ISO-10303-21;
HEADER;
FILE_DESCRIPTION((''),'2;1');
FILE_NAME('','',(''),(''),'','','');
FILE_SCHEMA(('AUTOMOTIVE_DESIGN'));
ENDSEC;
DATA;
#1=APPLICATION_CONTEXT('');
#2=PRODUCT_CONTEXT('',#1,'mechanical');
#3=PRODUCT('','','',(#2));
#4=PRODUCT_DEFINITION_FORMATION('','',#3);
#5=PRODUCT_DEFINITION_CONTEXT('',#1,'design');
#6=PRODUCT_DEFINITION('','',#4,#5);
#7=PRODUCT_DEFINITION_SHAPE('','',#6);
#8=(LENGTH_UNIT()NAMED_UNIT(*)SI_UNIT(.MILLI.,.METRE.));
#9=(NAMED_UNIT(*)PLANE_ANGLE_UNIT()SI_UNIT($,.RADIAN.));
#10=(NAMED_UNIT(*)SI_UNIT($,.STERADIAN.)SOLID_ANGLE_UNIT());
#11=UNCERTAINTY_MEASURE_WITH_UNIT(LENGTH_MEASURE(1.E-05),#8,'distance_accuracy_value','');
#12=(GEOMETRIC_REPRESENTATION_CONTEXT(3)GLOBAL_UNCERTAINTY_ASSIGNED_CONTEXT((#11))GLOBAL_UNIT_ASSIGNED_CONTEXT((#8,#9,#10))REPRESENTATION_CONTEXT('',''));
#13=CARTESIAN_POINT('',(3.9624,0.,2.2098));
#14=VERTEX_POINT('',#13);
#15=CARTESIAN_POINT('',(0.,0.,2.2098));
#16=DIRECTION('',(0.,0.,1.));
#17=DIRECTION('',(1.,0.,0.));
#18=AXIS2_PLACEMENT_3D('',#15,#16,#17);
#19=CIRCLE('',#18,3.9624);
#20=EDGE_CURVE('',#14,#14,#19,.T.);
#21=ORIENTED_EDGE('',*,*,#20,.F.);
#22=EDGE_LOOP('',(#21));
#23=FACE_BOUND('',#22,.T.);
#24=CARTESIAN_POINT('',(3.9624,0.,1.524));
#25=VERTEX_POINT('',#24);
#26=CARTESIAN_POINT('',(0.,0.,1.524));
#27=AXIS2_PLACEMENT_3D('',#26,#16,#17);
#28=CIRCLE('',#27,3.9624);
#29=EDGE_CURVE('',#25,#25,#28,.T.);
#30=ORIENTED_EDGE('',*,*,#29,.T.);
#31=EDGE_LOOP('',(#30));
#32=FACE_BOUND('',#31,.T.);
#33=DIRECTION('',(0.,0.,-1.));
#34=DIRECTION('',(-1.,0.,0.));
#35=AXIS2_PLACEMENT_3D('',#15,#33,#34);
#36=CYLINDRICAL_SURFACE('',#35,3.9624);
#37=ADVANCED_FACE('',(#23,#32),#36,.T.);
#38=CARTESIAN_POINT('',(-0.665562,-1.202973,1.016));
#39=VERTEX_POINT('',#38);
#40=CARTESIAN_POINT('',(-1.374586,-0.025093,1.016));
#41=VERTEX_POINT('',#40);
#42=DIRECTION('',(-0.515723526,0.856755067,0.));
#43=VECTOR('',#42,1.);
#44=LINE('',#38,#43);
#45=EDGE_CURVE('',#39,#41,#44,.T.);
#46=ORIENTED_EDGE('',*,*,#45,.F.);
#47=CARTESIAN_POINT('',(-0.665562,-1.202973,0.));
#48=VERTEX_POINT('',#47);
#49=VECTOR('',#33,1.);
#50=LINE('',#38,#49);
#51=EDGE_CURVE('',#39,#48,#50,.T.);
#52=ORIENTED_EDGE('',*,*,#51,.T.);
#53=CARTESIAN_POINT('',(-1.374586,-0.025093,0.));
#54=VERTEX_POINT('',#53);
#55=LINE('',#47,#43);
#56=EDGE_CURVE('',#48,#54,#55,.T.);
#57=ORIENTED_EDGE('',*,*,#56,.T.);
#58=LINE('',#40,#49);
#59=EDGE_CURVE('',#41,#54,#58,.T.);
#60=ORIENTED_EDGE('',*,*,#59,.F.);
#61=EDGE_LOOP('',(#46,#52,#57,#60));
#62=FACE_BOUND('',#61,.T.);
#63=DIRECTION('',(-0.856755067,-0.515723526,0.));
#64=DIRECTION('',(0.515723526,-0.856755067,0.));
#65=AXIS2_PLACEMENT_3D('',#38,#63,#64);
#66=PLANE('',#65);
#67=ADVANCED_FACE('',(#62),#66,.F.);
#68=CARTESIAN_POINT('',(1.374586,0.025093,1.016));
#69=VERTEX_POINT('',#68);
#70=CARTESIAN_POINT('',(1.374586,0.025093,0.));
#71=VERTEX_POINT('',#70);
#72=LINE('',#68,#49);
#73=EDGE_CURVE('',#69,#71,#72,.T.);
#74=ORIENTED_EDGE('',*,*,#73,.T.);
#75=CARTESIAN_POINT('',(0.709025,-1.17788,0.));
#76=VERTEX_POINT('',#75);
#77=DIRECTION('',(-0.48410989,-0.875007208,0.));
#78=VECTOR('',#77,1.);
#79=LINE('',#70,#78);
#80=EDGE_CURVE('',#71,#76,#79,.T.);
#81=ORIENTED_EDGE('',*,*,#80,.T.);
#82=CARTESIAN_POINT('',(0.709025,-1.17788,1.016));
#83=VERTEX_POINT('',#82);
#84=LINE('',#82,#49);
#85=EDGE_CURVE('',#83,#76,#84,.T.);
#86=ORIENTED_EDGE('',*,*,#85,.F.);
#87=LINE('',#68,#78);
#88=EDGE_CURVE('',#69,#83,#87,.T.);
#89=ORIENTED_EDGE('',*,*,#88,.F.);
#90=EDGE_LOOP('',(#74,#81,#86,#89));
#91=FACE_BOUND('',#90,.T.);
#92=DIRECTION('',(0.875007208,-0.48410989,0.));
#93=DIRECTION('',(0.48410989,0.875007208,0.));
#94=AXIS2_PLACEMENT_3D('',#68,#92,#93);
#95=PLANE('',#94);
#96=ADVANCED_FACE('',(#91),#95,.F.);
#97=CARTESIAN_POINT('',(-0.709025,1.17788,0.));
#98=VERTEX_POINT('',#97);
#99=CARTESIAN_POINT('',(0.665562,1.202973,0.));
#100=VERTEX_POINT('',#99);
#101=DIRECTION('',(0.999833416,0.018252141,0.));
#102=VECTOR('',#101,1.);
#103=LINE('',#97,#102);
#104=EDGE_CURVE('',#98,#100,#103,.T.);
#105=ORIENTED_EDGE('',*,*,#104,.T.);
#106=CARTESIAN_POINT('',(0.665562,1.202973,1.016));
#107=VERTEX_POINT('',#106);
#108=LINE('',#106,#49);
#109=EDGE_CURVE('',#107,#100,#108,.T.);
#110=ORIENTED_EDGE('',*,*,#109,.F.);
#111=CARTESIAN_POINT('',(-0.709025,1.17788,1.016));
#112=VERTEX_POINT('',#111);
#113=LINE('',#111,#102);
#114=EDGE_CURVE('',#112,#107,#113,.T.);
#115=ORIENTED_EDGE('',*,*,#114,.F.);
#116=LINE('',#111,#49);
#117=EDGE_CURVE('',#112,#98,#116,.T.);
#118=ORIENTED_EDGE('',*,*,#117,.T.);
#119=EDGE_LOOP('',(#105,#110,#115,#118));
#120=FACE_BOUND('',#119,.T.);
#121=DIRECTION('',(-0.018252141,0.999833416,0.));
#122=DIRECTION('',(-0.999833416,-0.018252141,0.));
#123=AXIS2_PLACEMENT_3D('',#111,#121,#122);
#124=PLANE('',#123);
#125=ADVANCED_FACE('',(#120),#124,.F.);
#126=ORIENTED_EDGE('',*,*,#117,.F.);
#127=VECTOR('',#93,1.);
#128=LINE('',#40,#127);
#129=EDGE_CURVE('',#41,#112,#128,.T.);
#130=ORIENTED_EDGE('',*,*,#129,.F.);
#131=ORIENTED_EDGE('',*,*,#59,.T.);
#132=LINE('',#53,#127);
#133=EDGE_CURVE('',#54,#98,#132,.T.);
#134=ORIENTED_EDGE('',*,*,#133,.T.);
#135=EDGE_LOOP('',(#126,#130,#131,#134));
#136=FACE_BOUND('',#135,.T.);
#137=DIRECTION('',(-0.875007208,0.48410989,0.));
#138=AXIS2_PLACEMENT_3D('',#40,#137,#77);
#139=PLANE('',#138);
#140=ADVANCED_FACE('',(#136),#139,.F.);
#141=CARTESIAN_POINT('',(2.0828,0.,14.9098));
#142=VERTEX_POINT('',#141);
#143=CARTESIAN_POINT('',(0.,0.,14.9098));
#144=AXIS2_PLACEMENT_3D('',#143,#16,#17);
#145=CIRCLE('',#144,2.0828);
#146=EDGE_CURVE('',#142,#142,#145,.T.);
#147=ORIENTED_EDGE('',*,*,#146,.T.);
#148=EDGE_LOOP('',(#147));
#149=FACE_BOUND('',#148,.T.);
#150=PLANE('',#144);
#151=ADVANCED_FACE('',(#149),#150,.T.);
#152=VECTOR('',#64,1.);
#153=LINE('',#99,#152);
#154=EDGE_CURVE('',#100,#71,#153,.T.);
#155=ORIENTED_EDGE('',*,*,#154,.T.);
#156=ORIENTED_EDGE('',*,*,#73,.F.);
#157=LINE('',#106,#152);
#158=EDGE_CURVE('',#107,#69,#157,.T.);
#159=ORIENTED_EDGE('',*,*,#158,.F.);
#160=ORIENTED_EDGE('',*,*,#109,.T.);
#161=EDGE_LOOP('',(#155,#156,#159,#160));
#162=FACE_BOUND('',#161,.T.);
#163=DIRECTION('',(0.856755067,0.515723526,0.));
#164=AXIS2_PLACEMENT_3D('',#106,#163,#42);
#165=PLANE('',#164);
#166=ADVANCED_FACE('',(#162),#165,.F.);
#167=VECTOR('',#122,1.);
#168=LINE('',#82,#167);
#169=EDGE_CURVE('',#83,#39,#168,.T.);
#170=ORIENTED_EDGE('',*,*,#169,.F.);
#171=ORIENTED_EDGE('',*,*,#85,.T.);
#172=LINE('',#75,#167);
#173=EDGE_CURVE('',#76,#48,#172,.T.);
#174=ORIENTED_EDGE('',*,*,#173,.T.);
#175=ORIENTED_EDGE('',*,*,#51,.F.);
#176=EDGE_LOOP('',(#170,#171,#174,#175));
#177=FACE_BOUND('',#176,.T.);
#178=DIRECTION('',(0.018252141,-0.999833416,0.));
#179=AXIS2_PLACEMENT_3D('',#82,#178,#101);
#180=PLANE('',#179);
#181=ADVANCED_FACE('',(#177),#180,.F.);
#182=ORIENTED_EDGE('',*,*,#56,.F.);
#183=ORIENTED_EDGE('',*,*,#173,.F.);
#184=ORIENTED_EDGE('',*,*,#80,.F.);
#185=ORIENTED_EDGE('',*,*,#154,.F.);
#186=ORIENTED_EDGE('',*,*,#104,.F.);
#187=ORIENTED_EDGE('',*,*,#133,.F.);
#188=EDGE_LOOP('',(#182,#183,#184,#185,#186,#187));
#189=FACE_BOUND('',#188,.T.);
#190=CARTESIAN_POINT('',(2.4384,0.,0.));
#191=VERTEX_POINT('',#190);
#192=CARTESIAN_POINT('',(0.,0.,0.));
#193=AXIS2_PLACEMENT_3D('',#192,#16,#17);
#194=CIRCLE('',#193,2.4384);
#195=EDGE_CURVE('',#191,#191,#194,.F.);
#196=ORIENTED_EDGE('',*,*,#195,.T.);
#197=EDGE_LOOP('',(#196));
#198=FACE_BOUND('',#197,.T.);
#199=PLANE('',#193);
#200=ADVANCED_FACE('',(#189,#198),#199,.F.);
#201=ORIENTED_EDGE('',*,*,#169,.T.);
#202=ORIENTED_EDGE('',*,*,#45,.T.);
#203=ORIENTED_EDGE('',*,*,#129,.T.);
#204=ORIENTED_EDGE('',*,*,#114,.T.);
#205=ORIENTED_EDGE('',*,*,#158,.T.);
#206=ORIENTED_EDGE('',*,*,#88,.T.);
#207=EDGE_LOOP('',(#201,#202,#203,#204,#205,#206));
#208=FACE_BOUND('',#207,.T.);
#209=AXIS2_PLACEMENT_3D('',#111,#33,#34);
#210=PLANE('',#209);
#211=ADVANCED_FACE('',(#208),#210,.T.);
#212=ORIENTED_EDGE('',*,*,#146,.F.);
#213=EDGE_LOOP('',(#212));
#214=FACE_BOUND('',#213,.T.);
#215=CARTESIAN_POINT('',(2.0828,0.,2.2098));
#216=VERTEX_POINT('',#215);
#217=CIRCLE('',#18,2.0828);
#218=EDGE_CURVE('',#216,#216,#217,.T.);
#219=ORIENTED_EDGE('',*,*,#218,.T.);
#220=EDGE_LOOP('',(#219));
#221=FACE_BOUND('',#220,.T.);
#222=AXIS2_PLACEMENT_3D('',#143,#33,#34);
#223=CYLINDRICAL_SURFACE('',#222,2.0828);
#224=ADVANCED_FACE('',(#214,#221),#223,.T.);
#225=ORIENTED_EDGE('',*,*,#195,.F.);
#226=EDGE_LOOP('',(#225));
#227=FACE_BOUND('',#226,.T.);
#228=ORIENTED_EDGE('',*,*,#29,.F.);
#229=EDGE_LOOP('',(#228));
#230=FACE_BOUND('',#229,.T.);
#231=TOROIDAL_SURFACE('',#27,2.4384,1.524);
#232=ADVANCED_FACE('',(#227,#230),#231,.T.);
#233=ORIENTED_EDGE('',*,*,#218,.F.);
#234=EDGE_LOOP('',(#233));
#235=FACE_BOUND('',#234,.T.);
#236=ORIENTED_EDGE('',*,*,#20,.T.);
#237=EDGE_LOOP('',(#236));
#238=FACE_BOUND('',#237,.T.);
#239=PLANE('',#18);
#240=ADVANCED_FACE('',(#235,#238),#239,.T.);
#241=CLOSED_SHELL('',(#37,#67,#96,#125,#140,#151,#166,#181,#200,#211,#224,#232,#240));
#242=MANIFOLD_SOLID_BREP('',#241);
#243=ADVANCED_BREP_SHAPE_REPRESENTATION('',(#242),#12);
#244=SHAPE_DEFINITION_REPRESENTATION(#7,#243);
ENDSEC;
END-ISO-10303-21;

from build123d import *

# Parameters (mm, degrees)
SKETCH1_R      = 3.9624
EXTRUDE1_DEPTH = 2.2098
FILLET1_R      = 1.524
SKETCH2_R      = 2.0828
EXTRUDE2_DEPTH = 12.7
EXTRUDE3_DEPTH = 1.016


with BuildPart() as part:
    # Sketch1 → Extrude1 (new body)
    with BuildSketch(Plane.XY):
        Circle(SKETCH1_R)
    extrude(amount=EXTRUDE1_DEPTH)

    # Fillet1
    fillet1_edges = [part.edges().sort_by_distance(p)[0] for p in [
        (-3.9624, 0, 0),
    ]]
    fillet(fillet1_edges, radius=FILLET1_R)

    # Sketch2 → Extrude2 (add)
    with BuildSketch(Plane.XY.offset(2.2098)):
        Circle(SKETCH2_R)
    extrude(amount=EXTRUDE2_DEPTH)

    # Sketch3 → Extrude3 (cut)
    with BuildSketch(Plane(origin=(0, 0, 0), x_dir=(-1, 0, 0), z_dir=(0, 0, -1))):
        Polygon((0.709024608, 1.177879999), (-0.665561698, 1.202973322), (-1.374586306, 0.025093323), (-0.709024608, -1.177879999), (0.665561698, -1.202973322), (1.374586306, -0.025093323), align=None)
    extrude(amount=-EXTRUDE3_DEPTH, mode=Mode.SUBTRACT)


solid = part.part
